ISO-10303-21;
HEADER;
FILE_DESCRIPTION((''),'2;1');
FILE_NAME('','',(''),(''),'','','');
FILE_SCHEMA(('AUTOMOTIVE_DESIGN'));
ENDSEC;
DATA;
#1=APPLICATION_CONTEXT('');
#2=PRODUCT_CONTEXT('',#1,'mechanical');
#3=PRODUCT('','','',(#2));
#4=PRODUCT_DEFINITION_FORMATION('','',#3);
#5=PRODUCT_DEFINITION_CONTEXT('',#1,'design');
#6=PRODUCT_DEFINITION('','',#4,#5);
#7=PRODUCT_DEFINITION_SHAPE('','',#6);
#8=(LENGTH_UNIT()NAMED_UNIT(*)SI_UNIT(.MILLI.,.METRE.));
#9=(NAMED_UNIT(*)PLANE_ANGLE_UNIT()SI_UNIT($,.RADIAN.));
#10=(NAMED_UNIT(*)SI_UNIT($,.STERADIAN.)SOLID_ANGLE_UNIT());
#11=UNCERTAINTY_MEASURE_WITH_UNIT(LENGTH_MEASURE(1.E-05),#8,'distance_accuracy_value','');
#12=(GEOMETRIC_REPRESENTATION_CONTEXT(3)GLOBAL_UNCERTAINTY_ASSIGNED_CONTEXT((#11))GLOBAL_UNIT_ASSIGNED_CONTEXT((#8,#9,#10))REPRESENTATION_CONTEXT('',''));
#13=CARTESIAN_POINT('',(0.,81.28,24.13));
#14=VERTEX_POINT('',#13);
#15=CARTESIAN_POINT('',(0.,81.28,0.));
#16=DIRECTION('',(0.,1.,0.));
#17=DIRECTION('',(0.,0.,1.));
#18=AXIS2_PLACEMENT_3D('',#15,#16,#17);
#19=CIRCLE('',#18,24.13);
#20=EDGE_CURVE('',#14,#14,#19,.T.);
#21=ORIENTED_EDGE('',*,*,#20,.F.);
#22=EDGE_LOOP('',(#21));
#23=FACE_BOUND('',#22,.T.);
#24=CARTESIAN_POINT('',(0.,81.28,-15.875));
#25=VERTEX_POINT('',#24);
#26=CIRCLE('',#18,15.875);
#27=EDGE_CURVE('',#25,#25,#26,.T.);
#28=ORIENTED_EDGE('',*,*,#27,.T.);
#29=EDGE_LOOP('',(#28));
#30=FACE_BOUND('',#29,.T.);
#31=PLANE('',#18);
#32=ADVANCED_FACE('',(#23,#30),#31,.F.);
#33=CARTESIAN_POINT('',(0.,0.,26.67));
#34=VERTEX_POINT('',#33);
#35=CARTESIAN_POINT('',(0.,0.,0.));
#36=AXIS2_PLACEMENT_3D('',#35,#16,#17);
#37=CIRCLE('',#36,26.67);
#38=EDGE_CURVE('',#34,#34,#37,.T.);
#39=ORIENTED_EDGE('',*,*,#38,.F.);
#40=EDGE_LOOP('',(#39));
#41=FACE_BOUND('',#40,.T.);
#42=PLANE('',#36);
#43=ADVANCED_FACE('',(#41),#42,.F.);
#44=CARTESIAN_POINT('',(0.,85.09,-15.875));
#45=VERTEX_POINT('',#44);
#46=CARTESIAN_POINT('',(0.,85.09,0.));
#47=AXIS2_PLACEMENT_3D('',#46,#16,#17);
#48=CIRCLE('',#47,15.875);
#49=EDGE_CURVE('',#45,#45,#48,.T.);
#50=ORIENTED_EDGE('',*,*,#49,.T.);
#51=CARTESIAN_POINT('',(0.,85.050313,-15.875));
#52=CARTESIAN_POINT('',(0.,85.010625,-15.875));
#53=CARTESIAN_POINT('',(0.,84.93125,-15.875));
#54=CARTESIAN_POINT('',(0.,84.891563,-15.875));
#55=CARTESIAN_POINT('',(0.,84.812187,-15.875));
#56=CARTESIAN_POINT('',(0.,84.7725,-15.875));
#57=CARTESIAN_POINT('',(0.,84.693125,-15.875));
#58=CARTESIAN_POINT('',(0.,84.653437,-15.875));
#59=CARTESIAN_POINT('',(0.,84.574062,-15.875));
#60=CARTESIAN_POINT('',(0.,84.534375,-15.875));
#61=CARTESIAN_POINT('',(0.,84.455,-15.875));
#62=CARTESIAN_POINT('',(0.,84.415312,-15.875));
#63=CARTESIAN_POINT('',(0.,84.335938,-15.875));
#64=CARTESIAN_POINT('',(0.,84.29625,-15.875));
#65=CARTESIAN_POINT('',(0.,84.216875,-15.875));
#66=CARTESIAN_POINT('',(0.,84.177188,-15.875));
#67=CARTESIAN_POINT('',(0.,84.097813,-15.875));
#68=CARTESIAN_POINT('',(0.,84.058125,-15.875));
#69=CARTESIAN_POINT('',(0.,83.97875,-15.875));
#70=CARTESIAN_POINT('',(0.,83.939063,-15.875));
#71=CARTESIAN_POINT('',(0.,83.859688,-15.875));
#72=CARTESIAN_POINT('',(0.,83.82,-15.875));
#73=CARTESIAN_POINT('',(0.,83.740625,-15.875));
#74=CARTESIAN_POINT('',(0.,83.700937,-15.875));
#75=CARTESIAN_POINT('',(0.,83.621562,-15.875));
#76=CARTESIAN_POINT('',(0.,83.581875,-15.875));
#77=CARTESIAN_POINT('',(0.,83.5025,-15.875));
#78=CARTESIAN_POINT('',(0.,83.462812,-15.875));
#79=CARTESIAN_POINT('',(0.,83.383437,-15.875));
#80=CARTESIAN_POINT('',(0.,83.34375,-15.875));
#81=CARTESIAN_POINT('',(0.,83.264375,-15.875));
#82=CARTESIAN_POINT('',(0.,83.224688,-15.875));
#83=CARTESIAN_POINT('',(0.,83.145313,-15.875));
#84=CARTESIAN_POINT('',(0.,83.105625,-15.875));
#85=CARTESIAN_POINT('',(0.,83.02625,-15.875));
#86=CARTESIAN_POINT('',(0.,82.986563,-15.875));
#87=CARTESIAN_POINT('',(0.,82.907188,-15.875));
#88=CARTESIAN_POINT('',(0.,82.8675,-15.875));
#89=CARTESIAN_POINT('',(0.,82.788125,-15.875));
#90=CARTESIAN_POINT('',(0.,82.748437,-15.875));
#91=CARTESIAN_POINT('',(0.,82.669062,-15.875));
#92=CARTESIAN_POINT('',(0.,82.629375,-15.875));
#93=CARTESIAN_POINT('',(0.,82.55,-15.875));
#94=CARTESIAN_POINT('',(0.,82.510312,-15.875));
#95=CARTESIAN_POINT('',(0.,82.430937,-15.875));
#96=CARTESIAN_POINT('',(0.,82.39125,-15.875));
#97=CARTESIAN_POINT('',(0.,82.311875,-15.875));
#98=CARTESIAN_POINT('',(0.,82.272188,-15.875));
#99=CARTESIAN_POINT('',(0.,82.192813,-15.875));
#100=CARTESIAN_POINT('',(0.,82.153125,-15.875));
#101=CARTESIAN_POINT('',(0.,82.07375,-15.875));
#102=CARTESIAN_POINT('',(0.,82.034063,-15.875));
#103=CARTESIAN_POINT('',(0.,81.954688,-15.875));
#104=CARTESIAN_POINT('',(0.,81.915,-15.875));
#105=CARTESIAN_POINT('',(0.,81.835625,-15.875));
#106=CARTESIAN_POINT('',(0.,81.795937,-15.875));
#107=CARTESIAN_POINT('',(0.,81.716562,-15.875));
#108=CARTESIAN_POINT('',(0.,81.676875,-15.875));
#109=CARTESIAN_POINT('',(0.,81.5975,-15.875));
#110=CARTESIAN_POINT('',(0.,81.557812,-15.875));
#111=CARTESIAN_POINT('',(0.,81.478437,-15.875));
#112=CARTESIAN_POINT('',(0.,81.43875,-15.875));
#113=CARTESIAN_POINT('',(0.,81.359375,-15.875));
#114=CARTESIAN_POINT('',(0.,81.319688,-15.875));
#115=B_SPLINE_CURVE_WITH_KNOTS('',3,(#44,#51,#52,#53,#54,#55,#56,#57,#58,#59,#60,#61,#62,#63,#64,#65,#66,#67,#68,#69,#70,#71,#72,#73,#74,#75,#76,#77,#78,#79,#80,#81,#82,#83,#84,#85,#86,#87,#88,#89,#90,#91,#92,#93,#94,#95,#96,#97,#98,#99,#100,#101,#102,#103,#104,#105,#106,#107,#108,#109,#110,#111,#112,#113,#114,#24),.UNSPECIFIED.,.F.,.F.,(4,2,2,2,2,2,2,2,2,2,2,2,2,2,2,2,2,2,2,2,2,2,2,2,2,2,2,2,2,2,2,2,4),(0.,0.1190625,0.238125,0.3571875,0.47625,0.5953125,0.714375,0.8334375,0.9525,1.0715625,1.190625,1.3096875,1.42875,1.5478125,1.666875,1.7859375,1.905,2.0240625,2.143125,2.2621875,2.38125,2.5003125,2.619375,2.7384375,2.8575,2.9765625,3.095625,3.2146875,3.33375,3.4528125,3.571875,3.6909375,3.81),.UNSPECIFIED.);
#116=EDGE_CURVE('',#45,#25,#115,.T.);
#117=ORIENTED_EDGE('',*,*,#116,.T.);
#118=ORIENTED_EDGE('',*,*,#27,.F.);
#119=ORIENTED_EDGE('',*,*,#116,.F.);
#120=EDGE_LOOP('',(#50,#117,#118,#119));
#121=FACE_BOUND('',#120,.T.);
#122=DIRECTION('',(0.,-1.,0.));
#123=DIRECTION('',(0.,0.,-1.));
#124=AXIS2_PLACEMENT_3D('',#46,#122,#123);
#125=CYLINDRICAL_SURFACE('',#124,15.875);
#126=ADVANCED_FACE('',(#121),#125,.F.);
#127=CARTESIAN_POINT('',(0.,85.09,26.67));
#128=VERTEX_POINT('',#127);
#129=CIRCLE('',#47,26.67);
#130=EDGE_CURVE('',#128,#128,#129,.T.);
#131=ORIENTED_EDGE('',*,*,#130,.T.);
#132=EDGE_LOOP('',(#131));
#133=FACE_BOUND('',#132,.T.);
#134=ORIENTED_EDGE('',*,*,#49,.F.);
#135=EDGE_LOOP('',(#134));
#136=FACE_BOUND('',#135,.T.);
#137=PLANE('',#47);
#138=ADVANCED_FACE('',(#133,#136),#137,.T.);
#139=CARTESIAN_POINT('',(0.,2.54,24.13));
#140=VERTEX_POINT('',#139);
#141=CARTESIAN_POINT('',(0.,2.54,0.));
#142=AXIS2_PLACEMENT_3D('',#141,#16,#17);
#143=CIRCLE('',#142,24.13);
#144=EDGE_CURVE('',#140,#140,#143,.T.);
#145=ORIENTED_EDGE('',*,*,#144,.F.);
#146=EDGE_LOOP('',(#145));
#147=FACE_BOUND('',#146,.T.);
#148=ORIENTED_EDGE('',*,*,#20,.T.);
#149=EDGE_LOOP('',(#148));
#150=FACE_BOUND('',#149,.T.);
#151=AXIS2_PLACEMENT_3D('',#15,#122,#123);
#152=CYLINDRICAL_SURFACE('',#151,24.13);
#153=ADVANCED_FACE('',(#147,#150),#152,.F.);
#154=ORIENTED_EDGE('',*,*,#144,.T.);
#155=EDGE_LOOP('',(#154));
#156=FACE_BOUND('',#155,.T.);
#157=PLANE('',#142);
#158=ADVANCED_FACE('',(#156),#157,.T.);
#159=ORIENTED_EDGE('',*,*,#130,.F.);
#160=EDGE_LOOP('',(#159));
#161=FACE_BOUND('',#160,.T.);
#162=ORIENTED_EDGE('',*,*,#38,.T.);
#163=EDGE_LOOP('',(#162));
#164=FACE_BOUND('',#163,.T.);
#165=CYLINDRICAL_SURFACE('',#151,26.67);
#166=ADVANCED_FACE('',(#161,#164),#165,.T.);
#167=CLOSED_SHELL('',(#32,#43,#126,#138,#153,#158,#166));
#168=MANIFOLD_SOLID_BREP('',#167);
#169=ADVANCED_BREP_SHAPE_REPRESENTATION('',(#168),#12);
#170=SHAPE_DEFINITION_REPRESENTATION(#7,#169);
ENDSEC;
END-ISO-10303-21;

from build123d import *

# Parameters (mm, degrees)
SKETCH1_R           = 26.67
BOSS_EXTRUDE1_DEPTH = 81.28
SHELL1_T            = -2.54
SKETCH2_R           = 26.67
SKETCH2_R_2         = 15.875
BOSS_EXTRUDE2_DEPTH = 3.81


with BuildPart() as part:
    # Sketch1 → Boss-Extrude1 (new body)
    with BuildSketch(Plane(origin=(0, 0, 0), x_dir=(1, 0, 0), z_dir=(0, 1, 0))):
        with Locations(Location((0, 0, 0), (0, 0, 270))):
            Circle(SKETCH1_R)
    extrude(amount=BOSS_EXTRUDE1_DEPTH)

    # Shell1
    shell1_openings = [part.faces().sort_by_distance(p)[0] for p in [
        (0, 81.28, 0),
    ]]
    offset(amount=SHELL1_T, openings=shell1_openings, kind=Kind.INTERSECTION)

    # Sketch2 → Boss-Extrude2 (add)
    with BuildSketch(Plane(origin=(0, 81.28, 0), x_dir=(1, 0, 0), z_dir=(0, 1, 0))):
        with Locations(Location((0, 0, 0), (0, 0, 270))):
            Circle(SKETCH2_R)
        with Locations(Location((0, 0, 0), (0, 0, 90))):
            Circle(SKETCH2_R_2, mode=Mode.SUBTRACT)
    extrude(amount=BOSS_EXTRUDE2_DEPTH)


solid = part.part
